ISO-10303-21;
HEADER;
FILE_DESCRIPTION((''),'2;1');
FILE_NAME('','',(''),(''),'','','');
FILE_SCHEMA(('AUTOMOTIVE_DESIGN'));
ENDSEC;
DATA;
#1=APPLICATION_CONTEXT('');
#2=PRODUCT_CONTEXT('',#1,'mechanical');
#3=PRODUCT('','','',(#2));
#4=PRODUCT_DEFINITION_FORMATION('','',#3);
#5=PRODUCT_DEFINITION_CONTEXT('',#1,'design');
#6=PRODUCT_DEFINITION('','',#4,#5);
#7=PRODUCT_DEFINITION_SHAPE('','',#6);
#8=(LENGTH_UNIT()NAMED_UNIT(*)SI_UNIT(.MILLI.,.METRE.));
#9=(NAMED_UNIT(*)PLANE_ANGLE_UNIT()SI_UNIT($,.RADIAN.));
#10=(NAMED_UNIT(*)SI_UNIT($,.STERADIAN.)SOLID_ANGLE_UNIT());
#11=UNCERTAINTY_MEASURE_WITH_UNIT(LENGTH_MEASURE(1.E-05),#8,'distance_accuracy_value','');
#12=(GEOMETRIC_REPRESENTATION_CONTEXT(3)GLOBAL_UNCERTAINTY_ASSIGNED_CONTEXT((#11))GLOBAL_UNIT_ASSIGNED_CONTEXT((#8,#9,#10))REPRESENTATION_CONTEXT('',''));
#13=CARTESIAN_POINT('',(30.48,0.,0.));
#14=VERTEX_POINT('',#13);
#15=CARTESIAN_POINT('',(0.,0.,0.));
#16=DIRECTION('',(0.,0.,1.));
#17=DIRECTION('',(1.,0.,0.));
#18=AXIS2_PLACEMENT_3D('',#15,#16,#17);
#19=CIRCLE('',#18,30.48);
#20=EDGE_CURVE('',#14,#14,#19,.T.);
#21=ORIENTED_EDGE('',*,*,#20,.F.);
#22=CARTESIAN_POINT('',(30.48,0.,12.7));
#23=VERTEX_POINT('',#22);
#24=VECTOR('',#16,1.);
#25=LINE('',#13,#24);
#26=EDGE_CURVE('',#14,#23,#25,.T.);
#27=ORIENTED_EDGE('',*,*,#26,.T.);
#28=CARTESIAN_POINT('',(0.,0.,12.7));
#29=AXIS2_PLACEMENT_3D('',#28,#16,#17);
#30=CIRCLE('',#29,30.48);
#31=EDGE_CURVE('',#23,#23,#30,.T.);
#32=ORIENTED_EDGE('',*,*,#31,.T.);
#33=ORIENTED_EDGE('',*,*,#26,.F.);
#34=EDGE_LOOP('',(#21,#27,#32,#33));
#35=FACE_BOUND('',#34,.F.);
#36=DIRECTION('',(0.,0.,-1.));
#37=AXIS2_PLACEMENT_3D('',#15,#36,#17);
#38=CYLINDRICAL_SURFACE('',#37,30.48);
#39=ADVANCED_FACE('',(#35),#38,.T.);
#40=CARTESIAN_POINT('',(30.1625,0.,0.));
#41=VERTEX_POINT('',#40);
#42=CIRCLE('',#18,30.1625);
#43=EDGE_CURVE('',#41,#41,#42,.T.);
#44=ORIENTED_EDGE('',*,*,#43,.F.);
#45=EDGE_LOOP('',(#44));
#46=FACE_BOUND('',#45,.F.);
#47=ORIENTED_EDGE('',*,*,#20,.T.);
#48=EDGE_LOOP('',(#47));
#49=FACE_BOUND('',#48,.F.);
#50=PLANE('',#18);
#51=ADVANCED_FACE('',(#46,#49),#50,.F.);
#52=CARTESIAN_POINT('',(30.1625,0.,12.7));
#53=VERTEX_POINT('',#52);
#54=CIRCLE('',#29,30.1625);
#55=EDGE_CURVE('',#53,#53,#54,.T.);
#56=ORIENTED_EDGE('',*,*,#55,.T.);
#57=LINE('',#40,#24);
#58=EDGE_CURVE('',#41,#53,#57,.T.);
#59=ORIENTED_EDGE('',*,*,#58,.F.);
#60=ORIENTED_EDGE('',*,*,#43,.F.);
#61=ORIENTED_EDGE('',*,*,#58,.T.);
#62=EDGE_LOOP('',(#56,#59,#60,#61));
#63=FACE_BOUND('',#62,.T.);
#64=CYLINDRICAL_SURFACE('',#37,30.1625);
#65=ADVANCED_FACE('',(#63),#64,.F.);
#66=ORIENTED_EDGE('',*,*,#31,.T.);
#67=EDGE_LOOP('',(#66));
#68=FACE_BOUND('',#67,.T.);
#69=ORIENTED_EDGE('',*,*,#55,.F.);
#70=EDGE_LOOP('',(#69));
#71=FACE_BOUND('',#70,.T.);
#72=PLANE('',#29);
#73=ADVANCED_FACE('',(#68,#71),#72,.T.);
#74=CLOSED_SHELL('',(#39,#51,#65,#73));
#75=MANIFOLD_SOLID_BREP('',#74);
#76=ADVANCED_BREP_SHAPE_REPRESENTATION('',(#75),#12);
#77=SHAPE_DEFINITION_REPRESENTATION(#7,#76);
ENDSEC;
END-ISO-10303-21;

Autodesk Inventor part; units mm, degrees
ref_plane "YZ Plane" through (0, 0, 0) normal (1, 0, 0) x (0, 1, 0)
ref_plane "XZ Plane" through (0, 0, 0) normal (0, 1, 0) x (-1, 0, 0)
ref_plane "XY Plane" through (0, 0, 0) normal (0, 0, 1) x (1, 0, 0)
sketch "Sketch1" plane through (0, 0, 0) normal (0, 0, 1) x (1, 0, 0)
  circle A0 centre (0, 0) radius 30.1625
  circle A1 centre (0, 0) radius 30.48
  dimension "d0" = 60.325
  dimension "d2" = 60.96
extrude "Extrusion1" add sketch "Sketch1" along normal blind 12.7
properties part number "Hose Clamp" material "Stainless Steel"
